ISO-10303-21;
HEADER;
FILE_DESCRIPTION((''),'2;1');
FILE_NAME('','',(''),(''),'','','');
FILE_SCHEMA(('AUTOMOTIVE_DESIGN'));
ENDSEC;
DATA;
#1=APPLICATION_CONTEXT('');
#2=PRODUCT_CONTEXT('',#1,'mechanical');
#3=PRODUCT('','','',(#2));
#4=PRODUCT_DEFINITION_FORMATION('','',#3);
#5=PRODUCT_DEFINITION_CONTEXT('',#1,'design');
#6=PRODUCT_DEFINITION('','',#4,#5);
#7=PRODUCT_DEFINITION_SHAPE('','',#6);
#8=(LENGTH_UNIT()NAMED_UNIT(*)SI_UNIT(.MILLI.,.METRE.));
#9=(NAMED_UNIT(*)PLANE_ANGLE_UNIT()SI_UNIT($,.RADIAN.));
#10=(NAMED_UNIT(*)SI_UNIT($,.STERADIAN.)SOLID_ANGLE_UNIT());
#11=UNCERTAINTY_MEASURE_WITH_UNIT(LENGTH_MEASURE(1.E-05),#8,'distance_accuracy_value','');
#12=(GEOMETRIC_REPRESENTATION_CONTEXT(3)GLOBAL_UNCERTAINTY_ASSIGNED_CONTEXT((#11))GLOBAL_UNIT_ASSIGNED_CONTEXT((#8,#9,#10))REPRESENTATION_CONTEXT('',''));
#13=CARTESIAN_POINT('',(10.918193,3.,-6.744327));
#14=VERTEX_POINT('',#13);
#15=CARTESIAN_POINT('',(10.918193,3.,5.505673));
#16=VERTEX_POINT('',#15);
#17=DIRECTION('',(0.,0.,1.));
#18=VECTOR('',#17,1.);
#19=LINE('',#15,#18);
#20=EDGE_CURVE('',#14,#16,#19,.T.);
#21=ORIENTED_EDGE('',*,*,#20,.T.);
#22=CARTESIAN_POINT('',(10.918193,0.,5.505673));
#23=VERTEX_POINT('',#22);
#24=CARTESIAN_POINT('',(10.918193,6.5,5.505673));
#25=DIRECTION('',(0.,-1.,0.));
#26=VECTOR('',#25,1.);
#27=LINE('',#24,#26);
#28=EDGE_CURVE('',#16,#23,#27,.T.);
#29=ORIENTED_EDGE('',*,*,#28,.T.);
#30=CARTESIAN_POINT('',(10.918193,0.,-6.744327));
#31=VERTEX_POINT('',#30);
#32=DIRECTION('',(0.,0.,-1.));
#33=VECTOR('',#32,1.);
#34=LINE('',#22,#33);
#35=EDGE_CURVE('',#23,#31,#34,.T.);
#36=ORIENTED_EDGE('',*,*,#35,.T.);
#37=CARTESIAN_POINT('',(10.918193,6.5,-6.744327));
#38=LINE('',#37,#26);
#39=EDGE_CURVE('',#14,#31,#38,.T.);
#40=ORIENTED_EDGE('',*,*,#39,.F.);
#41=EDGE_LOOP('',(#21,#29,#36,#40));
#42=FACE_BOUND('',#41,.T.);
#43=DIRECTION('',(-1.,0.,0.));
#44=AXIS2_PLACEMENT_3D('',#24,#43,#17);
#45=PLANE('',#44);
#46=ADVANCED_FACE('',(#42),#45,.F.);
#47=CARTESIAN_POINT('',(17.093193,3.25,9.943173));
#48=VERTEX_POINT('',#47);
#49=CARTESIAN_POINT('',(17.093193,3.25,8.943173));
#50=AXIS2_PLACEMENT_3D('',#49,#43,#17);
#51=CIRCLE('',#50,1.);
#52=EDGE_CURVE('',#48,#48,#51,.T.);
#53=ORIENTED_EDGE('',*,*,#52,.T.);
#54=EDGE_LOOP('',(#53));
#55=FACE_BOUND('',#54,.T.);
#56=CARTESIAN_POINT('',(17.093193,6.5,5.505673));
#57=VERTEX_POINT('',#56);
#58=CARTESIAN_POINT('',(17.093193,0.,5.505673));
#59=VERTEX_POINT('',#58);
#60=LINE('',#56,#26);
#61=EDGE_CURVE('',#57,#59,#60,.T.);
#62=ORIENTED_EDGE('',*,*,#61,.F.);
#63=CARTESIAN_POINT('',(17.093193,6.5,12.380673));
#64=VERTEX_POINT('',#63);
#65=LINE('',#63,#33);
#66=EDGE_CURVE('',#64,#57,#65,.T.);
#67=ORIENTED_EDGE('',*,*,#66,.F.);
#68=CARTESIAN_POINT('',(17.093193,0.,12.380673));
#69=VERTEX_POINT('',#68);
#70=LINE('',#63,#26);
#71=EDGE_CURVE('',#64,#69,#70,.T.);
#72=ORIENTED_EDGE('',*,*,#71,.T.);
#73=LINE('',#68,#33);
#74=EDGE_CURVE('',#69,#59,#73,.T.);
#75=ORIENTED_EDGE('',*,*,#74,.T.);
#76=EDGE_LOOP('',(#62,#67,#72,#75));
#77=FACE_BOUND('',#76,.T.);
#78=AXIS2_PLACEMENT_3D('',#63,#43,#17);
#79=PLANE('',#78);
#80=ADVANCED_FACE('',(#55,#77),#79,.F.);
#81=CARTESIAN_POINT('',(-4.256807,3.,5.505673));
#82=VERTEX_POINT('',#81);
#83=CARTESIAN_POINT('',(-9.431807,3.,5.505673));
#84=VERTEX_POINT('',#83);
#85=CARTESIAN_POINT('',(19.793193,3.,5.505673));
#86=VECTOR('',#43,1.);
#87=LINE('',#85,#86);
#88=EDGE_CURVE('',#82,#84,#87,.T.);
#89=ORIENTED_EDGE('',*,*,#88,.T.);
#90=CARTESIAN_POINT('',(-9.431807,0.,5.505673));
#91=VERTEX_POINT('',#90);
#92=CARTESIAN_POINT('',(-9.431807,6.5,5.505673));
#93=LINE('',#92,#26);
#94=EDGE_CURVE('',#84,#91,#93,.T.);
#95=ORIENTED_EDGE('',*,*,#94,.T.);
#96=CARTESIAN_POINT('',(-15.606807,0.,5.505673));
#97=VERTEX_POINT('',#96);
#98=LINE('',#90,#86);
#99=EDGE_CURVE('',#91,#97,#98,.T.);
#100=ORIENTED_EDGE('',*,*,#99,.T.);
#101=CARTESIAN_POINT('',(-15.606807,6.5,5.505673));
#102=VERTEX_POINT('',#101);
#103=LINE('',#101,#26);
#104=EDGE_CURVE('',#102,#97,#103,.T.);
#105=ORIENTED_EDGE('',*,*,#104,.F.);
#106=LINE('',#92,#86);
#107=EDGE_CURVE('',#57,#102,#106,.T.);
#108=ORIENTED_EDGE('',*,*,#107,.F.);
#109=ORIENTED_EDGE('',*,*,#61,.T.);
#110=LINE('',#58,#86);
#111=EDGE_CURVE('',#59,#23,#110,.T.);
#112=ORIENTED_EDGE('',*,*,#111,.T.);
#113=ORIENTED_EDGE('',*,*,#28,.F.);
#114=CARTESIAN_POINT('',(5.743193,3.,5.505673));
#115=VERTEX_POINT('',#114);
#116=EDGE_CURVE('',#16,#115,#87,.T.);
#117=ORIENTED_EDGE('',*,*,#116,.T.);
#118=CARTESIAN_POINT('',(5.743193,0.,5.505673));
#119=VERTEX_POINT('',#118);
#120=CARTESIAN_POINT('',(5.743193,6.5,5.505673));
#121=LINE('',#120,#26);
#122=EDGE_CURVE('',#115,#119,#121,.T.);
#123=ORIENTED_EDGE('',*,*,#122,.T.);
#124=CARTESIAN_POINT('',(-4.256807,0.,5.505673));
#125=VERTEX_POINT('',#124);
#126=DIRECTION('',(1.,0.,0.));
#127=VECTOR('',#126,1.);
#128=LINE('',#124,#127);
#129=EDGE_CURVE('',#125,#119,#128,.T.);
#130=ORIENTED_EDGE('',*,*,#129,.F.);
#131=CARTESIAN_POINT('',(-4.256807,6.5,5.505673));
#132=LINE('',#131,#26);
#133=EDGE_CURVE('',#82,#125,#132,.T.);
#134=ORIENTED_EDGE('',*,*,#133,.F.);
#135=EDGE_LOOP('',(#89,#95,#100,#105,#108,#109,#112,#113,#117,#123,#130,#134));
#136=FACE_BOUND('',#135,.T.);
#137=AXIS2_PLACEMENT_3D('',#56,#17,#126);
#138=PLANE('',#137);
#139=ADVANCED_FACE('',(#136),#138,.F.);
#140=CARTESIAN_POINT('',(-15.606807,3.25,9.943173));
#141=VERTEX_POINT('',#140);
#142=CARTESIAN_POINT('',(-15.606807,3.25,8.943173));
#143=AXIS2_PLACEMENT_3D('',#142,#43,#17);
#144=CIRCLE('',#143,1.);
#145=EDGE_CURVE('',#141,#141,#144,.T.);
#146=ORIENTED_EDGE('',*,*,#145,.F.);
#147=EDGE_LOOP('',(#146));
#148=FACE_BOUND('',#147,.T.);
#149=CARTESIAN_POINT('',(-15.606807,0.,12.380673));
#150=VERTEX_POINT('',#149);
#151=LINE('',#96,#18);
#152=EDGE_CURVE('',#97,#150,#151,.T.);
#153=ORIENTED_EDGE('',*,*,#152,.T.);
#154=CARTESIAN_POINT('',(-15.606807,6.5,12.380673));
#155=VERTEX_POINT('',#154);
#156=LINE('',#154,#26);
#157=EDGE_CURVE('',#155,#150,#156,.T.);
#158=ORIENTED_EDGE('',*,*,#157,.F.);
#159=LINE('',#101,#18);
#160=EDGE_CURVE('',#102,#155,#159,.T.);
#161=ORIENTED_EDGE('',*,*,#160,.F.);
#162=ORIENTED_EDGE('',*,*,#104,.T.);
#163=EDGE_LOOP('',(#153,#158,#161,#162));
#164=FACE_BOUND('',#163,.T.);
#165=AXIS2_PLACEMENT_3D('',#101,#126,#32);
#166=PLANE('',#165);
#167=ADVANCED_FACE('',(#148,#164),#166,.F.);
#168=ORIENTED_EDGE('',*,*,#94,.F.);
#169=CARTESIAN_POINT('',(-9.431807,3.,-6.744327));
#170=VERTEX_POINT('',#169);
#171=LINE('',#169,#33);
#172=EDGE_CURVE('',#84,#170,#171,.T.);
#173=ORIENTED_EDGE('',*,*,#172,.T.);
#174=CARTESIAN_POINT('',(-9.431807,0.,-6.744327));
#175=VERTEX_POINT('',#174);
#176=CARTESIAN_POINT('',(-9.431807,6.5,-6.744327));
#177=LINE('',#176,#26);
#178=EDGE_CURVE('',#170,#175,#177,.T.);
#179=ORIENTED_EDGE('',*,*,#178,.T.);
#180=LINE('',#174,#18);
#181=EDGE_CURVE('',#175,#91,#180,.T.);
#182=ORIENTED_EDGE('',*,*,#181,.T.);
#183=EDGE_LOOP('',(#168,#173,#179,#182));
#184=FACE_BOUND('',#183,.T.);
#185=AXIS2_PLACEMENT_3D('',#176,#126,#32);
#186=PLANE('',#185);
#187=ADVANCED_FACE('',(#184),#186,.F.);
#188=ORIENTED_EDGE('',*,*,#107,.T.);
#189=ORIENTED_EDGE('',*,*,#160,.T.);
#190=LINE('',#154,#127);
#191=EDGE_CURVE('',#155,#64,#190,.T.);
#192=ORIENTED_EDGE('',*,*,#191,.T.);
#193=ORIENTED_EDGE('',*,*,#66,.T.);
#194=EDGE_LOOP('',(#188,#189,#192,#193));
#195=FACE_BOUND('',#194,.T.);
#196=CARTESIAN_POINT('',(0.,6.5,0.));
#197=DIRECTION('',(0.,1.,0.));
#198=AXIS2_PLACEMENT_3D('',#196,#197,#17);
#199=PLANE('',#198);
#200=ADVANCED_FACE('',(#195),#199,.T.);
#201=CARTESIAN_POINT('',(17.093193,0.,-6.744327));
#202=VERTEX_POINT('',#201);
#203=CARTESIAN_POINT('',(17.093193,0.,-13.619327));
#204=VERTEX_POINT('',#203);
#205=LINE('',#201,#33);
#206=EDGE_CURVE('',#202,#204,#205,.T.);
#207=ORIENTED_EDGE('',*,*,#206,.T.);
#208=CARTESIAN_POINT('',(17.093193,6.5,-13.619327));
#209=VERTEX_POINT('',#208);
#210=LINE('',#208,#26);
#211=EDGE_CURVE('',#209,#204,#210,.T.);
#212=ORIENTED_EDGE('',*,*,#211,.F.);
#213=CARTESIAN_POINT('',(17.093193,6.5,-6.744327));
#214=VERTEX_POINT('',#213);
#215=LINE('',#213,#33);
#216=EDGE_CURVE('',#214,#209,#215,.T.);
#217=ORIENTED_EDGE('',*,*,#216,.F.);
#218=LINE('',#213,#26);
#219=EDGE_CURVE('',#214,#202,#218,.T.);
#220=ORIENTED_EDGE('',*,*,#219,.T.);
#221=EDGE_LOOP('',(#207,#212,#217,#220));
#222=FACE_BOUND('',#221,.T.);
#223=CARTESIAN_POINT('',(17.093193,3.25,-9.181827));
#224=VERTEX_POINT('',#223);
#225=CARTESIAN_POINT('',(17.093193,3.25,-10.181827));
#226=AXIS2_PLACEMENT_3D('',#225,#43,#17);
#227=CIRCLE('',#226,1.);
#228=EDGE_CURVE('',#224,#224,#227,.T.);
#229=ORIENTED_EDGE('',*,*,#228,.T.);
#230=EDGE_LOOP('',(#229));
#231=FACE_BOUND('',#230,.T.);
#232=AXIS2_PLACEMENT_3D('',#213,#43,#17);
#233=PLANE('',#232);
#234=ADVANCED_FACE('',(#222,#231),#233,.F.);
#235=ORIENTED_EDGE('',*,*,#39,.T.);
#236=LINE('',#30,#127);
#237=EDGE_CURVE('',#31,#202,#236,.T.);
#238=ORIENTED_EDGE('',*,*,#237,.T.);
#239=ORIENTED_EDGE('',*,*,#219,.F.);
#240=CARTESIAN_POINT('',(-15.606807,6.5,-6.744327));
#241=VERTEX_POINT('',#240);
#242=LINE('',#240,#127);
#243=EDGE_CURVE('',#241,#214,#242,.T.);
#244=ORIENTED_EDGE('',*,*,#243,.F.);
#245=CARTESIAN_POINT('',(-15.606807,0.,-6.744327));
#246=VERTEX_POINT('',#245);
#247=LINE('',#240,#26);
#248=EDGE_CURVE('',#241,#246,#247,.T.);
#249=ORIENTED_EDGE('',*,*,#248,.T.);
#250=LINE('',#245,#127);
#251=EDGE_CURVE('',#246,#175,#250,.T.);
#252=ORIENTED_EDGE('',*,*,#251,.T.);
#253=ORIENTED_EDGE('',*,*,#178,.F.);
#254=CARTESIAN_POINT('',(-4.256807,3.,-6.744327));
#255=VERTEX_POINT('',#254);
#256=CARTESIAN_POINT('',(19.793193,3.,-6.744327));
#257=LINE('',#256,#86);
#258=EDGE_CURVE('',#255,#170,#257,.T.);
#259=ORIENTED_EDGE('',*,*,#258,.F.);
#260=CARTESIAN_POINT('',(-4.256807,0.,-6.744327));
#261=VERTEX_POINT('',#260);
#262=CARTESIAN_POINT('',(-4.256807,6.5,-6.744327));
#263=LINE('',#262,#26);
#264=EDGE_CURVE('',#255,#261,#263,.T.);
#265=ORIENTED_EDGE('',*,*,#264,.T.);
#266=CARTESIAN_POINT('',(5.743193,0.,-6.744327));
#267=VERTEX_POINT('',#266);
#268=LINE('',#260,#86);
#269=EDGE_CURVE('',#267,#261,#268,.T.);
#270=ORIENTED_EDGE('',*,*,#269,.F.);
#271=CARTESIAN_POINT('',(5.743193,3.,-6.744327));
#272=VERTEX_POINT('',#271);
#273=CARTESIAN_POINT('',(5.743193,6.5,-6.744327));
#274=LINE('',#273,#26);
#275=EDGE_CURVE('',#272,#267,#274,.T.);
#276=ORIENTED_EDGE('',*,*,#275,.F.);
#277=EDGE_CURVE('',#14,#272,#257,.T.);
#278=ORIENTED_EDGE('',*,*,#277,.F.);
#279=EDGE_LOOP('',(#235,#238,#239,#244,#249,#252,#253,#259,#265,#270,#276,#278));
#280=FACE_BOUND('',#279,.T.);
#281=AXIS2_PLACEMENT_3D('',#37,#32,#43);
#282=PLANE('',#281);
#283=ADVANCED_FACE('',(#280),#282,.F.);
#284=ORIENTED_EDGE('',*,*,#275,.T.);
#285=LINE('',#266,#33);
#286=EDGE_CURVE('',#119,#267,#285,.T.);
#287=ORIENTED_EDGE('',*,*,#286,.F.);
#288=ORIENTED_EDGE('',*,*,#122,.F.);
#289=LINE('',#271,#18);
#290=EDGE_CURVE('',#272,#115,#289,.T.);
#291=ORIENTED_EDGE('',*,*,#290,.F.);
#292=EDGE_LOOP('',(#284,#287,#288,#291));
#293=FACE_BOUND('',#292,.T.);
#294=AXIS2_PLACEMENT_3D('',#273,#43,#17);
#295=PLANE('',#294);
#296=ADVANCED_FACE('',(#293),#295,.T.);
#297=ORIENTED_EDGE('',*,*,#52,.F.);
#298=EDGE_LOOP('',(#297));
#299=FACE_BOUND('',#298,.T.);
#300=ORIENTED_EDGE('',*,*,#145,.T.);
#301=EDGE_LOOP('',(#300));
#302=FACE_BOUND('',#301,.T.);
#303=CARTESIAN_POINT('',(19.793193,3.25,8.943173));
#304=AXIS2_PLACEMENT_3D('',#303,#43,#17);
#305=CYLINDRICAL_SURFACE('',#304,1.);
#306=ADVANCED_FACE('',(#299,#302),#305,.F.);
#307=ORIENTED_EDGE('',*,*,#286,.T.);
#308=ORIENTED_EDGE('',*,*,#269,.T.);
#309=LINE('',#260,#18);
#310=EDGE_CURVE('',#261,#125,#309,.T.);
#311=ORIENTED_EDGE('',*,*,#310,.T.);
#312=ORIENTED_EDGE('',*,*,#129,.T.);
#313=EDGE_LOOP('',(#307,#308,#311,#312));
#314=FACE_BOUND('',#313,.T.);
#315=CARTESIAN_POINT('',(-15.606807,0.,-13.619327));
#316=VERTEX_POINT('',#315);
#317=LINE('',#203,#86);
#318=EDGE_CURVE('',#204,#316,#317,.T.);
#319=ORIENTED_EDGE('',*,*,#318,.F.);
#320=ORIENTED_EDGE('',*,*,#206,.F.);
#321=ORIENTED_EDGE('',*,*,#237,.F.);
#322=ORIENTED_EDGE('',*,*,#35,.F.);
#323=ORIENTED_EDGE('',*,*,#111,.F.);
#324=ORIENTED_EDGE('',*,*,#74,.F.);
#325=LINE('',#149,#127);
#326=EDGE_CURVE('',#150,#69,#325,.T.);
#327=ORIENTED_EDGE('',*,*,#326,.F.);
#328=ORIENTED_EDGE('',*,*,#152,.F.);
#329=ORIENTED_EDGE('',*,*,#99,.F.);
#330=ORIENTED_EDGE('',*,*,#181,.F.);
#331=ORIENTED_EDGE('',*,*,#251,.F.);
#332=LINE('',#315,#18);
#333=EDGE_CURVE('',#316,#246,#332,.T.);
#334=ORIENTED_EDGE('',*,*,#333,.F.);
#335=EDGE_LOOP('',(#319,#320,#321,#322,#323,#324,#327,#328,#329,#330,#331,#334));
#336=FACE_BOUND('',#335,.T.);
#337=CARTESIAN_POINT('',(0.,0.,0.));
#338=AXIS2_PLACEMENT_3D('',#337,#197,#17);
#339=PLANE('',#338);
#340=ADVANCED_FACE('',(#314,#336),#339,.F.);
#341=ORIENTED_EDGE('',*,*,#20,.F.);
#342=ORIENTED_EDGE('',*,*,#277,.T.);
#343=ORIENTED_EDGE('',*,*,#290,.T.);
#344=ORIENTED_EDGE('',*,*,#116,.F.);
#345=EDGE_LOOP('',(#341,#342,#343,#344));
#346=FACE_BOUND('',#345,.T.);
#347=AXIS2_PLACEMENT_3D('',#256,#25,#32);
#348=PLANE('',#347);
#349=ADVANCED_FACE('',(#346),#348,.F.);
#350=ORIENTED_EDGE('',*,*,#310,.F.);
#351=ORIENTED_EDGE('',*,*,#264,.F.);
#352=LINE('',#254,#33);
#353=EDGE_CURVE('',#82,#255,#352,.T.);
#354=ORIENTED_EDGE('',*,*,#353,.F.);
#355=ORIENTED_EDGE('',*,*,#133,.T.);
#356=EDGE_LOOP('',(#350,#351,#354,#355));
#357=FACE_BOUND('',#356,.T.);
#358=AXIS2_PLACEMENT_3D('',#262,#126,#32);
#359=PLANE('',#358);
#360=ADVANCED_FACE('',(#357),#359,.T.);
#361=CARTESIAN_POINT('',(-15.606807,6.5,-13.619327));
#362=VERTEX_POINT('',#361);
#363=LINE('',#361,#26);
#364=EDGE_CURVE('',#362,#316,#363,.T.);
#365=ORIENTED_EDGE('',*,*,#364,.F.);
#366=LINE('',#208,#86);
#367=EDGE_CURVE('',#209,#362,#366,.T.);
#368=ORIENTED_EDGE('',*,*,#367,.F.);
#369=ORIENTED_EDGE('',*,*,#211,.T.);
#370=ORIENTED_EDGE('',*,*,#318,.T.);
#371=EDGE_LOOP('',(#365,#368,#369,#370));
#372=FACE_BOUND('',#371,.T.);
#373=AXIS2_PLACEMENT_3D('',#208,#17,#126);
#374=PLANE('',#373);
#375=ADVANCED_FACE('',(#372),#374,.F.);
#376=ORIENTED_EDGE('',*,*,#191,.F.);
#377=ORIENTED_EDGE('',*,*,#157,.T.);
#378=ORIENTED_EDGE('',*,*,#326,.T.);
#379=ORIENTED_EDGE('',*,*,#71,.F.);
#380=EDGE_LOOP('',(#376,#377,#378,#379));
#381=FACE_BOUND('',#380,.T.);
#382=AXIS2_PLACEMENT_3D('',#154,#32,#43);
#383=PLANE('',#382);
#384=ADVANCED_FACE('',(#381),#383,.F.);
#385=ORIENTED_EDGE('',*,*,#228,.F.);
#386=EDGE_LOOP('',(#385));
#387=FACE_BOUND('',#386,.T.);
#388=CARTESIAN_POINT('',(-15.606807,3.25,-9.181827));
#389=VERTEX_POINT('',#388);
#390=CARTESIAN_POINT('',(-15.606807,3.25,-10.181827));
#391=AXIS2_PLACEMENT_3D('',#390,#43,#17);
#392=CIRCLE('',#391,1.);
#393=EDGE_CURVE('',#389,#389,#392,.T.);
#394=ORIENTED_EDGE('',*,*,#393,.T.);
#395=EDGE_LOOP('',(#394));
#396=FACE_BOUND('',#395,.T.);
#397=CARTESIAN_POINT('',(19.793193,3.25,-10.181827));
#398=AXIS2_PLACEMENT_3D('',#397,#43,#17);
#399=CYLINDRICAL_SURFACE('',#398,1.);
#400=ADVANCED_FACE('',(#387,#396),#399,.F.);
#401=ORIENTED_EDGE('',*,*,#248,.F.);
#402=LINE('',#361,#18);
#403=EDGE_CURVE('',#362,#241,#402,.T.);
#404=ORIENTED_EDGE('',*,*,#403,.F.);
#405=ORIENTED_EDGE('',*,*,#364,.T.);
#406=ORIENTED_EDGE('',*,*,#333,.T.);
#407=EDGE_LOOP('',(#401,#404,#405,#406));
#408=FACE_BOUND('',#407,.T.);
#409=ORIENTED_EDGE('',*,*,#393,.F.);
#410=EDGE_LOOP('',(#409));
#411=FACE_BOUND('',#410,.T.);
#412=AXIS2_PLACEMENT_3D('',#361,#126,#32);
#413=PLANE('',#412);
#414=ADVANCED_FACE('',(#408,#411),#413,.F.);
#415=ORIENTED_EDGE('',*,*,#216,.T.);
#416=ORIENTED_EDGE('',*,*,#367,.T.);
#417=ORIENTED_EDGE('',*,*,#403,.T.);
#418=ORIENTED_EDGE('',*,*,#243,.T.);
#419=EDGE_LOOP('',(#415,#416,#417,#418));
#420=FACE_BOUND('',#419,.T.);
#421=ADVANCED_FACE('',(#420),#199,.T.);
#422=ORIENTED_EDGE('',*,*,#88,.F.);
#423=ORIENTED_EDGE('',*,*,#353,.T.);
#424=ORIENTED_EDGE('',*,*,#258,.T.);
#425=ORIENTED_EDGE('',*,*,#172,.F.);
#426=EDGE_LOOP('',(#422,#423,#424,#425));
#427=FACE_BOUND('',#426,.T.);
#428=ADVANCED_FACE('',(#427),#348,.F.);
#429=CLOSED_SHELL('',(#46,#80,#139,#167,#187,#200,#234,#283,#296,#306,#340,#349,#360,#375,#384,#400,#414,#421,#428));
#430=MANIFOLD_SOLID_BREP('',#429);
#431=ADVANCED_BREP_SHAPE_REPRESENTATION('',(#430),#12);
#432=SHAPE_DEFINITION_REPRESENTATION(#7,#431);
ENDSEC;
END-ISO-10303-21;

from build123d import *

# Parameters (mm, degrees)
CROQUIS1_W              = 10
CROQUIS1_H              = 12.25
SALIENTE_EXTRUIR1_DEPTH = 6.5
CROQUIS3_R              = 1
CROQUIS3_W              = 12.25
CROQUIS3_H              = 3.5
CORTAR_EXTRUIR1_DEPTH   = 35.4


with BuildPart() as part:
    # Croquis1 → Saliente-Extruir1 (new body)
    with BuildSketch(Plane(origin=(0, 0, 0), x_dir=(1, 0, 0), z_dir=(0, 1, 0))):
        Polygon((-15.606807411, 13.619327476), (-15.606807411, 6.744327476), (-9.43180722, 6.744327476), (-9.43180722, -5.505672524), (-15.606807411, -5.505672524), (-15.606807411, -12.380672524), (17.093193352, -12.380672524), (17.093193352, -5.505672524), (10.918193161, -5.505672524), (10.918193161, 6.744327476), (17.093193352, 6.744327476), (17.093193352, 13.619327476), align=None)
        with Locations((0.743192971, 0.619327476)):
            Rectangle(CROQUIS1_W, CROQUIS1_H, mode=Mode.SUBTRACT)
    extrude(amount=SALIENTE_EXTRUIR1_DEPTH)

    # Croquis3 → Cortar-Extruir1 (cut)
    with BuildSketch(Plane.ZY.offset(15.606807411)):
        with Locations((-10.181827476, 3.25)):
            Circle(CROQUIS3_R)
        with Locations((8.943172524, 3.25)):
            Circle(CROQUIS3_R)
        with Locations((-0.619327476, 4.75)):
            Rectangle(CROQUIS3_W, CROQUIS3_H)
    extrude(amount=-CORTAR_EXTRUIR1_DEPTH, mode=Mode.SUBTRACT)


solid = part.part
